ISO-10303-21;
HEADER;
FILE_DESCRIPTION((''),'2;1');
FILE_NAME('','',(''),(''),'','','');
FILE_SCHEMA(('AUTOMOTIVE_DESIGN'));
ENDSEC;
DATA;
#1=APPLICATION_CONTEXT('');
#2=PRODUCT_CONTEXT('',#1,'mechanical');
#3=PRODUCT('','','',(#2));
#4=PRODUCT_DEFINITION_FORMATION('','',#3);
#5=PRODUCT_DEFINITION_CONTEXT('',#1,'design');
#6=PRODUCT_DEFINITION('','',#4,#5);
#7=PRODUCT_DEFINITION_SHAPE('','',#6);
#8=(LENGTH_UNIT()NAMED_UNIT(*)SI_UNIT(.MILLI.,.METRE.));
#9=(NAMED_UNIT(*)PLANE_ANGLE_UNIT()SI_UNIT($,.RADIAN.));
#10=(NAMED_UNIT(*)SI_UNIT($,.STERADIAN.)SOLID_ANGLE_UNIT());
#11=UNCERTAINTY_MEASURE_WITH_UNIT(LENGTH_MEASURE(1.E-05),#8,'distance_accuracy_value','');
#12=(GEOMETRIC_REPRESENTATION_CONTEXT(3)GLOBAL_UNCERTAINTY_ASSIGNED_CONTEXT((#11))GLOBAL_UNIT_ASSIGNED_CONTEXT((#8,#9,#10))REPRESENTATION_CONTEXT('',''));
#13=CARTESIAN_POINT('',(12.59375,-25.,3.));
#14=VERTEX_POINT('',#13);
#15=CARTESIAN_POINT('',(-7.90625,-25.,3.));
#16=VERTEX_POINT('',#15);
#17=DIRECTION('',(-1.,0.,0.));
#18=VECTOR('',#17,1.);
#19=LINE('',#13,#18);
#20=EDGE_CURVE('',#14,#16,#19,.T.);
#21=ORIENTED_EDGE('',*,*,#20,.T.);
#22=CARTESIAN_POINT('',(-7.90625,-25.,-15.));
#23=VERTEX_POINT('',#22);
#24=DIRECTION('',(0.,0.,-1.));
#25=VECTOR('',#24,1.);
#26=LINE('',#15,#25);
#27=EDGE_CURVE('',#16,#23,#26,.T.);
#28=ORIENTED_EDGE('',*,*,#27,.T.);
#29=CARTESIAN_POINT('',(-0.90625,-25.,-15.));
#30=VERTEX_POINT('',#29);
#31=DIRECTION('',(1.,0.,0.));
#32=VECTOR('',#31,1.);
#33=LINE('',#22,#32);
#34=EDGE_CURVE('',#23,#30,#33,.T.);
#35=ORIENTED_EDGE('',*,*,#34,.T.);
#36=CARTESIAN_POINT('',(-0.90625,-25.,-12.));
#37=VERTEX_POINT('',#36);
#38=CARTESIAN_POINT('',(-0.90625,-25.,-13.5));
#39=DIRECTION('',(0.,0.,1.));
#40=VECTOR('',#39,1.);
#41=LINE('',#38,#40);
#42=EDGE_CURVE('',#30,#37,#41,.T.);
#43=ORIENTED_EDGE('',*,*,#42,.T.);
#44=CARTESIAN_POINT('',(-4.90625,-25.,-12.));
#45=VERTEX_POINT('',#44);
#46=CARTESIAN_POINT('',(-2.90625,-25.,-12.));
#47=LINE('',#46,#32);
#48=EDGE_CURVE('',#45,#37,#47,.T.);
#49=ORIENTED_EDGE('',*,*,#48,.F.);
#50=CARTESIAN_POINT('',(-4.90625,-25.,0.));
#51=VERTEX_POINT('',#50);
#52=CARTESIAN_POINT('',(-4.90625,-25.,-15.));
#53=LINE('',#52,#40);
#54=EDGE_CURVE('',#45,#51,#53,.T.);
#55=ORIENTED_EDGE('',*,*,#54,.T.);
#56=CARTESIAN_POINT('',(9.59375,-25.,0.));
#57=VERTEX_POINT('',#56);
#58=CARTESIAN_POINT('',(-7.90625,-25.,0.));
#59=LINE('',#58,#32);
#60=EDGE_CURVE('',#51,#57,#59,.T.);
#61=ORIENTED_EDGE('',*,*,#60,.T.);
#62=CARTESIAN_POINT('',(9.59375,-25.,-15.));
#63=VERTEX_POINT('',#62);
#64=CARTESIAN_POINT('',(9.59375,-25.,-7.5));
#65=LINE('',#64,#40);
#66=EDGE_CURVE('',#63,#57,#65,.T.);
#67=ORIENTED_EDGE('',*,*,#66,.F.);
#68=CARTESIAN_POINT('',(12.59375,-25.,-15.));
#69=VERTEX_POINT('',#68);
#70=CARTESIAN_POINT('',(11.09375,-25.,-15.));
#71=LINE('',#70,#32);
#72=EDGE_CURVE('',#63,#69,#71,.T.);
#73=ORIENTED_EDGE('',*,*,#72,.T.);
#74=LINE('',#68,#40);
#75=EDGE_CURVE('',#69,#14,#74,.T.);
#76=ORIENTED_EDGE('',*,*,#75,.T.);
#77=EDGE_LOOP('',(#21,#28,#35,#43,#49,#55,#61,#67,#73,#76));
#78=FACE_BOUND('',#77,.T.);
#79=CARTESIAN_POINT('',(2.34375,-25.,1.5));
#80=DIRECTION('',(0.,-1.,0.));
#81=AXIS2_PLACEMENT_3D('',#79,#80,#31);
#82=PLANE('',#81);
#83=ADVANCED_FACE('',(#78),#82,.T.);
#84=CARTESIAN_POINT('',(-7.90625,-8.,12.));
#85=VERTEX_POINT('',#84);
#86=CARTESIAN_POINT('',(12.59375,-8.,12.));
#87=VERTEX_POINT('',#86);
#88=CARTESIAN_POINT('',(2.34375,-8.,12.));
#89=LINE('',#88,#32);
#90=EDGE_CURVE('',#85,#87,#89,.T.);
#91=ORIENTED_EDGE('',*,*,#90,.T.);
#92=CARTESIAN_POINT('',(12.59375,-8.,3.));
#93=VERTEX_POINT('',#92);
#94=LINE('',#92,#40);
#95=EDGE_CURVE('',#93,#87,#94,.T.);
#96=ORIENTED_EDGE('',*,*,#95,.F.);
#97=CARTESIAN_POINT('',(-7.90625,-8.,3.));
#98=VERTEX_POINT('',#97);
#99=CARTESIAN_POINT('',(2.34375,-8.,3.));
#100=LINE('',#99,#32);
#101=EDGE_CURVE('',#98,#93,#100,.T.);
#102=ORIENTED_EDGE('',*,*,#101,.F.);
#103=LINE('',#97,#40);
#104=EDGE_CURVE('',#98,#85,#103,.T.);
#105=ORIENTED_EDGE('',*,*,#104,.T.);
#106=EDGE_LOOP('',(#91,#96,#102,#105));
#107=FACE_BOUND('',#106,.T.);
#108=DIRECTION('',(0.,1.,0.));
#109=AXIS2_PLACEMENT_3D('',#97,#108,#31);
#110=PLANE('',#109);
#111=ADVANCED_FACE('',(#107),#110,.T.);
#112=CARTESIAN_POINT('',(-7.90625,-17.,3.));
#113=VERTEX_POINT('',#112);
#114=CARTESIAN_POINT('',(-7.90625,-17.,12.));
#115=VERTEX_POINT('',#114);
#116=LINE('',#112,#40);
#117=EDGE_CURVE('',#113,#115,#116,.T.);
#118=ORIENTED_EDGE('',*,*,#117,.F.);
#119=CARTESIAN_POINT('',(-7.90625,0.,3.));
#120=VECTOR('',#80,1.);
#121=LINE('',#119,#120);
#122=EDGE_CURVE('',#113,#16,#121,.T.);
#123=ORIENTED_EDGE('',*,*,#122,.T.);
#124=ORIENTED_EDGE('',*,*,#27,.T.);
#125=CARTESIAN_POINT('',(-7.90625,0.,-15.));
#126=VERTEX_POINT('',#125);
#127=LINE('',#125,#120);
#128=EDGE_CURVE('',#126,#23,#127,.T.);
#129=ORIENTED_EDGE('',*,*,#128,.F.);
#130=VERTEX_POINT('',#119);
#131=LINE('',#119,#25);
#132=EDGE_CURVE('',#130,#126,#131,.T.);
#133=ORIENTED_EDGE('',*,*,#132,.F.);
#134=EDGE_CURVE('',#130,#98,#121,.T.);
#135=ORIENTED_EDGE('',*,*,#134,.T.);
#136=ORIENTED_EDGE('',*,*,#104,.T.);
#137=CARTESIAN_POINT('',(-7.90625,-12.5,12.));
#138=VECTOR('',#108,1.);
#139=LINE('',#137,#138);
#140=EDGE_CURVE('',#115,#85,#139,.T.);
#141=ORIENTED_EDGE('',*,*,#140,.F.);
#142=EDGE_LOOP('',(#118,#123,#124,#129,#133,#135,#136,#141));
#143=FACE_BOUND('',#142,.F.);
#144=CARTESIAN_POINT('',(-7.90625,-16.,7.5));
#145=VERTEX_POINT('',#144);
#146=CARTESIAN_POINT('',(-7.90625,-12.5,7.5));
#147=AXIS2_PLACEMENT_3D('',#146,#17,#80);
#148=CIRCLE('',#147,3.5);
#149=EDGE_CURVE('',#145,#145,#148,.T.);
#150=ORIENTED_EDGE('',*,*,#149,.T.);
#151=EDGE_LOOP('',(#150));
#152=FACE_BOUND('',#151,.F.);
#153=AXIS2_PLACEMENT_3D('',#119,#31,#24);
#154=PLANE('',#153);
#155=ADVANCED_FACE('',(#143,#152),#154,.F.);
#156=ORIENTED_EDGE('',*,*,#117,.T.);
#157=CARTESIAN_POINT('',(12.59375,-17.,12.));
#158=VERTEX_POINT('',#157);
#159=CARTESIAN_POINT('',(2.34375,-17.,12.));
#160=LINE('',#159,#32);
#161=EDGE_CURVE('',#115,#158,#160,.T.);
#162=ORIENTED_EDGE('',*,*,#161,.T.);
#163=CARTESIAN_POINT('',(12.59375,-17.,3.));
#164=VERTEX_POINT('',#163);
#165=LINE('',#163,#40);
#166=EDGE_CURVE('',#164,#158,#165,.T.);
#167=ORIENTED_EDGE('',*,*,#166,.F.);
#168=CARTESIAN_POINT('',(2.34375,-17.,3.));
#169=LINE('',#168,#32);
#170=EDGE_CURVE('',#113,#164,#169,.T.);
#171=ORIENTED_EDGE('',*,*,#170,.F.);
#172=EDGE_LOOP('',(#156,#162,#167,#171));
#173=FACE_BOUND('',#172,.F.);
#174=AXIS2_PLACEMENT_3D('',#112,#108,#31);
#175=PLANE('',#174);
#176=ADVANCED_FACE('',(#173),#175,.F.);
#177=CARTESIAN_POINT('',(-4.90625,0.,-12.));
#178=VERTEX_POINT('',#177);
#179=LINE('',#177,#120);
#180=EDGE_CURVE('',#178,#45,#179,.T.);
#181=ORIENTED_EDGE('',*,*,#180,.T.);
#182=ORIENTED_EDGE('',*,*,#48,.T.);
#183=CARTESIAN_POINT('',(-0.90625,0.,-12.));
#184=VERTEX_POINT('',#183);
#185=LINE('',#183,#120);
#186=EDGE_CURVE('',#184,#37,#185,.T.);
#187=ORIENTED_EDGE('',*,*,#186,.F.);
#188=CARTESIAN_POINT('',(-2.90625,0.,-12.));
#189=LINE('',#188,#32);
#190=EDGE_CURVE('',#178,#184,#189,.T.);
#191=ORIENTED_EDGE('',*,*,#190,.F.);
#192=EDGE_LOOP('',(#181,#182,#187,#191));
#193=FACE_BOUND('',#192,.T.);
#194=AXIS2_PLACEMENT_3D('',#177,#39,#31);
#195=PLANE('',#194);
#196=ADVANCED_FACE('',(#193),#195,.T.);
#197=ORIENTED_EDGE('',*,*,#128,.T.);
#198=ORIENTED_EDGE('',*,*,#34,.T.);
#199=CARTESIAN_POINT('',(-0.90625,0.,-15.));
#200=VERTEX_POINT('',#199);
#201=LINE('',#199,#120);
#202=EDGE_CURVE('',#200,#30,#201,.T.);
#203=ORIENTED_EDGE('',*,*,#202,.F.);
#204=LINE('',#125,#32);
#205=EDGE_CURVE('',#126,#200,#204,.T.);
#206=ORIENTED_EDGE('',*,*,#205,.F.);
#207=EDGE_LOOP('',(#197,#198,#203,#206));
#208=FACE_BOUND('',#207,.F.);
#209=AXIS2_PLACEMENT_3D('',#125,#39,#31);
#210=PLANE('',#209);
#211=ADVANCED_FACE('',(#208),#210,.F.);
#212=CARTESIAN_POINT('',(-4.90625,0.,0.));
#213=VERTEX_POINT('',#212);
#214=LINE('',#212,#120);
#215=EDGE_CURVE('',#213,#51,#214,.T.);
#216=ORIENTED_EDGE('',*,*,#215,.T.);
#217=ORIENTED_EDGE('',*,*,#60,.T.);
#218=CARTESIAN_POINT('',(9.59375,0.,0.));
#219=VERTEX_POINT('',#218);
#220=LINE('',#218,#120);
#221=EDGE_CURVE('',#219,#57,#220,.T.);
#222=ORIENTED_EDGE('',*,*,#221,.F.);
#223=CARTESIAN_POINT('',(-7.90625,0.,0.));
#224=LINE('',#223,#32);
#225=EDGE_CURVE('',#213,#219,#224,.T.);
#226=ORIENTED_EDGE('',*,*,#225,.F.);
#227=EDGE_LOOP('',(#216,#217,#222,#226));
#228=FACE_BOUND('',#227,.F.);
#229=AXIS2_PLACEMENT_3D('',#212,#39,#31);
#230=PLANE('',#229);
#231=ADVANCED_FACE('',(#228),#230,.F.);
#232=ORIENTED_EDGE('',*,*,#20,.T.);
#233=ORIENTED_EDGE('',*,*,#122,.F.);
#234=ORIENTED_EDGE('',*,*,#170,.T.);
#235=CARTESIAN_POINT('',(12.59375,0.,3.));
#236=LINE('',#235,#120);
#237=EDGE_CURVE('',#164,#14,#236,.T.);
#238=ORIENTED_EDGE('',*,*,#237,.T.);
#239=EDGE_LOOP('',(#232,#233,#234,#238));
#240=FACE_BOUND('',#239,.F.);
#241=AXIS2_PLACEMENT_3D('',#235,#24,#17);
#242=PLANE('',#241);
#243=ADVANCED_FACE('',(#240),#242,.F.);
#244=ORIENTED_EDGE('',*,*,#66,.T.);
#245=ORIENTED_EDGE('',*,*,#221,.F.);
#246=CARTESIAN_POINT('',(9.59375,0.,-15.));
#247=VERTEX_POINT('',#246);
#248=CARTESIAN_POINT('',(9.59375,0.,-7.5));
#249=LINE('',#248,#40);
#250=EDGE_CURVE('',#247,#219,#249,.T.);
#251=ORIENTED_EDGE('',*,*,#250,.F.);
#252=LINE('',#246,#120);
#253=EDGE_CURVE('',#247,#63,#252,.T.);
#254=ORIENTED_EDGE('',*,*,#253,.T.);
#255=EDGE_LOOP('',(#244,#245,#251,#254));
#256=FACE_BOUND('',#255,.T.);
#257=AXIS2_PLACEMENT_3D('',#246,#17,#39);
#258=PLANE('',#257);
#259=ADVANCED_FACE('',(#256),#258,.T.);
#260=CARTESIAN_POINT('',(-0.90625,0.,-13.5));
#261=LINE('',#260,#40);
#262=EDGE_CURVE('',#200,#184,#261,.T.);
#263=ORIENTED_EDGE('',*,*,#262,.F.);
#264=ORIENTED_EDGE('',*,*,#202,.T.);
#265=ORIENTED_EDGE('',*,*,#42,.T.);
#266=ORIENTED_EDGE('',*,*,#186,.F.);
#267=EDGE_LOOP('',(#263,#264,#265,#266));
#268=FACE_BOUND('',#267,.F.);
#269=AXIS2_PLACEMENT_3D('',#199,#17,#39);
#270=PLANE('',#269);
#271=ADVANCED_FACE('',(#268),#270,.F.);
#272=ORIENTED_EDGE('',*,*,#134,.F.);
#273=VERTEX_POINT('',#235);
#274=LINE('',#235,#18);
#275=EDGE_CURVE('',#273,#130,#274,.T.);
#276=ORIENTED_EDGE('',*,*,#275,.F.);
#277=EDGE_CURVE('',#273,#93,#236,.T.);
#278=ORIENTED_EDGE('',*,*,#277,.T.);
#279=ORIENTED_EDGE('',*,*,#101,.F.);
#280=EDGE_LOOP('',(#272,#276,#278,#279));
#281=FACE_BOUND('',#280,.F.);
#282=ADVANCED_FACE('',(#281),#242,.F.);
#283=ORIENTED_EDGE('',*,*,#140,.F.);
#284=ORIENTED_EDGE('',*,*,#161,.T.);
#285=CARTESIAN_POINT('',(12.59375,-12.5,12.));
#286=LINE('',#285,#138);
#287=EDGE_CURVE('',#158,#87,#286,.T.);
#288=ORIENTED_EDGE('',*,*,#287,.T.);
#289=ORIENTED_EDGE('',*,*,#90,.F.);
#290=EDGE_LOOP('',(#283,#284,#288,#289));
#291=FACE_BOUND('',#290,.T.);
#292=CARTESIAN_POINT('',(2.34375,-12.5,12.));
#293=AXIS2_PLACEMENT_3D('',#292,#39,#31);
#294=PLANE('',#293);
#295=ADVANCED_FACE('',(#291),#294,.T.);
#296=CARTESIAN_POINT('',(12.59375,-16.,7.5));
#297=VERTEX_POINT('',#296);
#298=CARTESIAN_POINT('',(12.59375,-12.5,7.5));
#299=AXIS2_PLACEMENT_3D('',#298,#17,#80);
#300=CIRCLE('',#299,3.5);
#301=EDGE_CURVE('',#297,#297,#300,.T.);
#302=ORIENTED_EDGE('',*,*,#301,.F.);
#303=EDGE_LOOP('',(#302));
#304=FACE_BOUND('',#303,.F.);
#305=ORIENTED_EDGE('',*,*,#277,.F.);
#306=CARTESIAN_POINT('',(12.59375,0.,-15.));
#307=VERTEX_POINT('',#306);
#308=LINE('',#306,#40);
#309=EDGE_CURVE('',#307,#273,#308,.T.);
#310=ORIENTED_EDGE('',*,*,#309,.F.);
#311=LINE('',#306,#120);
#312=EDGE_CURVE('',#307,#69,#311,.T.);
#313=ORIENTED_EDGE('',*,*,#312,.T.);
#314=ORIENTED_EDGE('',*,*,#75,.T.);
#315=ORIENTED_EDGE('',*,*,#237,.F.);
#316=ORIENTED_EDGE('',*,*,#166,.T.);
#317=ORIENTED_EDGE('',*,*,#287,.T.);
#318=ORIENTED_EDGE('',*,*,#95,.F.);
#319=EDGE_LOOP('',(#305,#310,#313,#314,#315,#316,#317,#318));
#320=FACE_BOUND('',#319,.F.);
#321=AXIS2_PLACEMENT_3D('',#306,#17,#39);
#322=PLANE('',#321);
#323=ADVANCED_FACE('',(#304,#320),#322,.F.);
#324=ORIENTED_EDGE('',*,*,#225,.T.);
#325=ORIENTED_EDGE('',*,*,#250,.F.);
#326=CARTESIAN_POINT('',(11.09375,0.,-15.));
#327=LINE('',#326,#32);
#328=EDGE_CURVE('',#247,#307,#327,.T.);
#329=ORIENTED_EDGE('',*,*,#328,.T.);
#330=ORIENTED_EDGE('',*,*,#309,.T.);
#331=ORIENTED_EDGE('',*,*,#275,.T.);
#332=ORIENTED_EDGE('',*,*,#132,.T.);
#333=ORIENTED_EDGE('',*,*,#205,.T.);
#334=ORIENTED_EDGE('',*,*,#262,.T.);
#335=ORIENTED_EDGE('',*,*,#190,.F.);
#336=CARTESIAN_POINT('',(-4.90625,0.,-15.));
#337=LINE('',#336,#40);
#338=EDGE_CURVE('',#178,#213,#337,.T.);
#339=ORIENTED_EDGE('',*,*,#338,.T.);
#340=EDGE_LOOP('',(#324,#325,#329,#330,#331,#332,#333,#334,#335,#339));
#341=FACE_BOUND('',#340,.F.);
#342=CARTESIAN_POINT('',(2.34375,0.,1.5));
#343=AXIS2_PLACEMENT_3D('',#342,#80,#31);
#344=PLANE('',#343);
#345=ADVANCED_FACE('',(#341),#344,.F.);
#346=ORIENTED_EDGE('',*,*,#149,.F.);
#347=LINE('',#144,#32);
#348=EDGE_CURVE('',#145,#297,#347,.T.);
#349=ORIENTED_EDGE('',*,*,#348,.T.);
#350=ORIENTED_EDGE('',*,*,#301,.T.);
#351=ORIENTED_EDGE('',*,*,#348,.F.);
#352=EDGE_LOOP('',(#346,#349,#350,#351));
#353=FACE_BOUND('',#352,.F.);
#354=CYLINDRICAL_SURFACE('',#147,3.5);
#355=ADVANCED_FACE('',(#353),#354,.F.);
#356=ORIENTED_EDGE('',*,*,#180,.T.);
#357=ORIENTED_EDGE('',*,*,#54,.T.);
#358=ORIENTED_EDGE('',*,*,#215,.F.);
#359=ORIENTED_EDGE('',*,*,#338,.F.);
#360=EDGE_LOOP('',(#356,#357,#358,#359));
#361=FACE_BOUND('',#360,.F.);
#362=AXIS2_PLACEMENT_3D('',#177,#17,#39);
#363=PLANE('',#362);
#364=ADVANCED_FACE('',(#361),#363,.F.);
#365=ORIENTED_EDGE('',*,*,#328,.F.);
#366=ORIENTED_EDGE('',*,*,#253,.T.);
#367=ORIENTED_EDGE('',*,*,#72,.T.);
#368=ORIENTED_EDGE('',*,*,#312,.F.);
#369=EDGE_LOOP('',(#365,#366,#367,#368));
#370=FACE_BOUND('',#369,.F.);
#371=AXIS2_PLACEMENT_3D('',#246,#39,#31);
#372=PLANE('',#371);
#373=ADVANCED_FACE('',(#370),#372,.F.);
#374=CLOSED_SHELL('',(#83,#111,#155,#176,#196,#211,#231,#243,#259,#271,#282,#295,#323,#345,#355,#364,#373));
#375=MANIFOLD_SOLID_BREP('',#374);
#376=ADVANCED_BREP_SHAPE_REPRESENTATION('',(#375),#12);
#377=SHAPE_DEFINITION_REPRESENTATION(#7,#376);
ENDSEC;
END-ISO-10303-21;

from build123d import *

# Parameters (mm, degrees)
F0_W     = 4
F0_H     = 3
F0_W_2   = 3
F0_H_2   = 15
F1_DEPTH = 25
F2_W     = 20.5
F2_H     = 9
F3_DEPTH = 9
F4_R     = 3.5
F5_DEPTH = 20.5


with BuildPart() as f1:
    # F0 (on Front) → F1 (new body)
    with BuildSketch(Plane.XZ):
        Polygon((-7.90625, 3), (-7.90625, 0), (-4.90625, 0), (9.59375, 0), (12.59375, 0), (12.59375, 3), align=None)
        Polygon((-4.90625, 0), (-7.90625, 0), (-7.90625, -15), (-4.90625, -15), (-4.90625, -12), align=None)
        with Locations((-2.90625, -13.5)):
            Rectangle(F0_W, F0_H)
        with Locations((11.09375, -7.5)):
            Rectangle(F0_W_2, F0_H_2)
    extrude(amount=F1_DEPTH)

    # F2 (on face) → F3 (join)
    with BuildSketch(Plane.XY.offset(3)):
        with Locations((2.34375, -12.5)):
            Rectangle(F2_W, F2_H)
    extrude(amount=F3_DEPTH)

    # F4 (on face) → F5 (cut)
    with BuildSketch(Plane(origin=(-7.90625, 0, 0), x_dir=(0, -1, 0), z_dir=(-1, 0, 0))):
        with Locations((12.5, 7.5)):
            Circle(F4_R)
    extrude(amount=-F5_DEPTH, mode=Mode.SUBTRACT)


solid = f1.part
